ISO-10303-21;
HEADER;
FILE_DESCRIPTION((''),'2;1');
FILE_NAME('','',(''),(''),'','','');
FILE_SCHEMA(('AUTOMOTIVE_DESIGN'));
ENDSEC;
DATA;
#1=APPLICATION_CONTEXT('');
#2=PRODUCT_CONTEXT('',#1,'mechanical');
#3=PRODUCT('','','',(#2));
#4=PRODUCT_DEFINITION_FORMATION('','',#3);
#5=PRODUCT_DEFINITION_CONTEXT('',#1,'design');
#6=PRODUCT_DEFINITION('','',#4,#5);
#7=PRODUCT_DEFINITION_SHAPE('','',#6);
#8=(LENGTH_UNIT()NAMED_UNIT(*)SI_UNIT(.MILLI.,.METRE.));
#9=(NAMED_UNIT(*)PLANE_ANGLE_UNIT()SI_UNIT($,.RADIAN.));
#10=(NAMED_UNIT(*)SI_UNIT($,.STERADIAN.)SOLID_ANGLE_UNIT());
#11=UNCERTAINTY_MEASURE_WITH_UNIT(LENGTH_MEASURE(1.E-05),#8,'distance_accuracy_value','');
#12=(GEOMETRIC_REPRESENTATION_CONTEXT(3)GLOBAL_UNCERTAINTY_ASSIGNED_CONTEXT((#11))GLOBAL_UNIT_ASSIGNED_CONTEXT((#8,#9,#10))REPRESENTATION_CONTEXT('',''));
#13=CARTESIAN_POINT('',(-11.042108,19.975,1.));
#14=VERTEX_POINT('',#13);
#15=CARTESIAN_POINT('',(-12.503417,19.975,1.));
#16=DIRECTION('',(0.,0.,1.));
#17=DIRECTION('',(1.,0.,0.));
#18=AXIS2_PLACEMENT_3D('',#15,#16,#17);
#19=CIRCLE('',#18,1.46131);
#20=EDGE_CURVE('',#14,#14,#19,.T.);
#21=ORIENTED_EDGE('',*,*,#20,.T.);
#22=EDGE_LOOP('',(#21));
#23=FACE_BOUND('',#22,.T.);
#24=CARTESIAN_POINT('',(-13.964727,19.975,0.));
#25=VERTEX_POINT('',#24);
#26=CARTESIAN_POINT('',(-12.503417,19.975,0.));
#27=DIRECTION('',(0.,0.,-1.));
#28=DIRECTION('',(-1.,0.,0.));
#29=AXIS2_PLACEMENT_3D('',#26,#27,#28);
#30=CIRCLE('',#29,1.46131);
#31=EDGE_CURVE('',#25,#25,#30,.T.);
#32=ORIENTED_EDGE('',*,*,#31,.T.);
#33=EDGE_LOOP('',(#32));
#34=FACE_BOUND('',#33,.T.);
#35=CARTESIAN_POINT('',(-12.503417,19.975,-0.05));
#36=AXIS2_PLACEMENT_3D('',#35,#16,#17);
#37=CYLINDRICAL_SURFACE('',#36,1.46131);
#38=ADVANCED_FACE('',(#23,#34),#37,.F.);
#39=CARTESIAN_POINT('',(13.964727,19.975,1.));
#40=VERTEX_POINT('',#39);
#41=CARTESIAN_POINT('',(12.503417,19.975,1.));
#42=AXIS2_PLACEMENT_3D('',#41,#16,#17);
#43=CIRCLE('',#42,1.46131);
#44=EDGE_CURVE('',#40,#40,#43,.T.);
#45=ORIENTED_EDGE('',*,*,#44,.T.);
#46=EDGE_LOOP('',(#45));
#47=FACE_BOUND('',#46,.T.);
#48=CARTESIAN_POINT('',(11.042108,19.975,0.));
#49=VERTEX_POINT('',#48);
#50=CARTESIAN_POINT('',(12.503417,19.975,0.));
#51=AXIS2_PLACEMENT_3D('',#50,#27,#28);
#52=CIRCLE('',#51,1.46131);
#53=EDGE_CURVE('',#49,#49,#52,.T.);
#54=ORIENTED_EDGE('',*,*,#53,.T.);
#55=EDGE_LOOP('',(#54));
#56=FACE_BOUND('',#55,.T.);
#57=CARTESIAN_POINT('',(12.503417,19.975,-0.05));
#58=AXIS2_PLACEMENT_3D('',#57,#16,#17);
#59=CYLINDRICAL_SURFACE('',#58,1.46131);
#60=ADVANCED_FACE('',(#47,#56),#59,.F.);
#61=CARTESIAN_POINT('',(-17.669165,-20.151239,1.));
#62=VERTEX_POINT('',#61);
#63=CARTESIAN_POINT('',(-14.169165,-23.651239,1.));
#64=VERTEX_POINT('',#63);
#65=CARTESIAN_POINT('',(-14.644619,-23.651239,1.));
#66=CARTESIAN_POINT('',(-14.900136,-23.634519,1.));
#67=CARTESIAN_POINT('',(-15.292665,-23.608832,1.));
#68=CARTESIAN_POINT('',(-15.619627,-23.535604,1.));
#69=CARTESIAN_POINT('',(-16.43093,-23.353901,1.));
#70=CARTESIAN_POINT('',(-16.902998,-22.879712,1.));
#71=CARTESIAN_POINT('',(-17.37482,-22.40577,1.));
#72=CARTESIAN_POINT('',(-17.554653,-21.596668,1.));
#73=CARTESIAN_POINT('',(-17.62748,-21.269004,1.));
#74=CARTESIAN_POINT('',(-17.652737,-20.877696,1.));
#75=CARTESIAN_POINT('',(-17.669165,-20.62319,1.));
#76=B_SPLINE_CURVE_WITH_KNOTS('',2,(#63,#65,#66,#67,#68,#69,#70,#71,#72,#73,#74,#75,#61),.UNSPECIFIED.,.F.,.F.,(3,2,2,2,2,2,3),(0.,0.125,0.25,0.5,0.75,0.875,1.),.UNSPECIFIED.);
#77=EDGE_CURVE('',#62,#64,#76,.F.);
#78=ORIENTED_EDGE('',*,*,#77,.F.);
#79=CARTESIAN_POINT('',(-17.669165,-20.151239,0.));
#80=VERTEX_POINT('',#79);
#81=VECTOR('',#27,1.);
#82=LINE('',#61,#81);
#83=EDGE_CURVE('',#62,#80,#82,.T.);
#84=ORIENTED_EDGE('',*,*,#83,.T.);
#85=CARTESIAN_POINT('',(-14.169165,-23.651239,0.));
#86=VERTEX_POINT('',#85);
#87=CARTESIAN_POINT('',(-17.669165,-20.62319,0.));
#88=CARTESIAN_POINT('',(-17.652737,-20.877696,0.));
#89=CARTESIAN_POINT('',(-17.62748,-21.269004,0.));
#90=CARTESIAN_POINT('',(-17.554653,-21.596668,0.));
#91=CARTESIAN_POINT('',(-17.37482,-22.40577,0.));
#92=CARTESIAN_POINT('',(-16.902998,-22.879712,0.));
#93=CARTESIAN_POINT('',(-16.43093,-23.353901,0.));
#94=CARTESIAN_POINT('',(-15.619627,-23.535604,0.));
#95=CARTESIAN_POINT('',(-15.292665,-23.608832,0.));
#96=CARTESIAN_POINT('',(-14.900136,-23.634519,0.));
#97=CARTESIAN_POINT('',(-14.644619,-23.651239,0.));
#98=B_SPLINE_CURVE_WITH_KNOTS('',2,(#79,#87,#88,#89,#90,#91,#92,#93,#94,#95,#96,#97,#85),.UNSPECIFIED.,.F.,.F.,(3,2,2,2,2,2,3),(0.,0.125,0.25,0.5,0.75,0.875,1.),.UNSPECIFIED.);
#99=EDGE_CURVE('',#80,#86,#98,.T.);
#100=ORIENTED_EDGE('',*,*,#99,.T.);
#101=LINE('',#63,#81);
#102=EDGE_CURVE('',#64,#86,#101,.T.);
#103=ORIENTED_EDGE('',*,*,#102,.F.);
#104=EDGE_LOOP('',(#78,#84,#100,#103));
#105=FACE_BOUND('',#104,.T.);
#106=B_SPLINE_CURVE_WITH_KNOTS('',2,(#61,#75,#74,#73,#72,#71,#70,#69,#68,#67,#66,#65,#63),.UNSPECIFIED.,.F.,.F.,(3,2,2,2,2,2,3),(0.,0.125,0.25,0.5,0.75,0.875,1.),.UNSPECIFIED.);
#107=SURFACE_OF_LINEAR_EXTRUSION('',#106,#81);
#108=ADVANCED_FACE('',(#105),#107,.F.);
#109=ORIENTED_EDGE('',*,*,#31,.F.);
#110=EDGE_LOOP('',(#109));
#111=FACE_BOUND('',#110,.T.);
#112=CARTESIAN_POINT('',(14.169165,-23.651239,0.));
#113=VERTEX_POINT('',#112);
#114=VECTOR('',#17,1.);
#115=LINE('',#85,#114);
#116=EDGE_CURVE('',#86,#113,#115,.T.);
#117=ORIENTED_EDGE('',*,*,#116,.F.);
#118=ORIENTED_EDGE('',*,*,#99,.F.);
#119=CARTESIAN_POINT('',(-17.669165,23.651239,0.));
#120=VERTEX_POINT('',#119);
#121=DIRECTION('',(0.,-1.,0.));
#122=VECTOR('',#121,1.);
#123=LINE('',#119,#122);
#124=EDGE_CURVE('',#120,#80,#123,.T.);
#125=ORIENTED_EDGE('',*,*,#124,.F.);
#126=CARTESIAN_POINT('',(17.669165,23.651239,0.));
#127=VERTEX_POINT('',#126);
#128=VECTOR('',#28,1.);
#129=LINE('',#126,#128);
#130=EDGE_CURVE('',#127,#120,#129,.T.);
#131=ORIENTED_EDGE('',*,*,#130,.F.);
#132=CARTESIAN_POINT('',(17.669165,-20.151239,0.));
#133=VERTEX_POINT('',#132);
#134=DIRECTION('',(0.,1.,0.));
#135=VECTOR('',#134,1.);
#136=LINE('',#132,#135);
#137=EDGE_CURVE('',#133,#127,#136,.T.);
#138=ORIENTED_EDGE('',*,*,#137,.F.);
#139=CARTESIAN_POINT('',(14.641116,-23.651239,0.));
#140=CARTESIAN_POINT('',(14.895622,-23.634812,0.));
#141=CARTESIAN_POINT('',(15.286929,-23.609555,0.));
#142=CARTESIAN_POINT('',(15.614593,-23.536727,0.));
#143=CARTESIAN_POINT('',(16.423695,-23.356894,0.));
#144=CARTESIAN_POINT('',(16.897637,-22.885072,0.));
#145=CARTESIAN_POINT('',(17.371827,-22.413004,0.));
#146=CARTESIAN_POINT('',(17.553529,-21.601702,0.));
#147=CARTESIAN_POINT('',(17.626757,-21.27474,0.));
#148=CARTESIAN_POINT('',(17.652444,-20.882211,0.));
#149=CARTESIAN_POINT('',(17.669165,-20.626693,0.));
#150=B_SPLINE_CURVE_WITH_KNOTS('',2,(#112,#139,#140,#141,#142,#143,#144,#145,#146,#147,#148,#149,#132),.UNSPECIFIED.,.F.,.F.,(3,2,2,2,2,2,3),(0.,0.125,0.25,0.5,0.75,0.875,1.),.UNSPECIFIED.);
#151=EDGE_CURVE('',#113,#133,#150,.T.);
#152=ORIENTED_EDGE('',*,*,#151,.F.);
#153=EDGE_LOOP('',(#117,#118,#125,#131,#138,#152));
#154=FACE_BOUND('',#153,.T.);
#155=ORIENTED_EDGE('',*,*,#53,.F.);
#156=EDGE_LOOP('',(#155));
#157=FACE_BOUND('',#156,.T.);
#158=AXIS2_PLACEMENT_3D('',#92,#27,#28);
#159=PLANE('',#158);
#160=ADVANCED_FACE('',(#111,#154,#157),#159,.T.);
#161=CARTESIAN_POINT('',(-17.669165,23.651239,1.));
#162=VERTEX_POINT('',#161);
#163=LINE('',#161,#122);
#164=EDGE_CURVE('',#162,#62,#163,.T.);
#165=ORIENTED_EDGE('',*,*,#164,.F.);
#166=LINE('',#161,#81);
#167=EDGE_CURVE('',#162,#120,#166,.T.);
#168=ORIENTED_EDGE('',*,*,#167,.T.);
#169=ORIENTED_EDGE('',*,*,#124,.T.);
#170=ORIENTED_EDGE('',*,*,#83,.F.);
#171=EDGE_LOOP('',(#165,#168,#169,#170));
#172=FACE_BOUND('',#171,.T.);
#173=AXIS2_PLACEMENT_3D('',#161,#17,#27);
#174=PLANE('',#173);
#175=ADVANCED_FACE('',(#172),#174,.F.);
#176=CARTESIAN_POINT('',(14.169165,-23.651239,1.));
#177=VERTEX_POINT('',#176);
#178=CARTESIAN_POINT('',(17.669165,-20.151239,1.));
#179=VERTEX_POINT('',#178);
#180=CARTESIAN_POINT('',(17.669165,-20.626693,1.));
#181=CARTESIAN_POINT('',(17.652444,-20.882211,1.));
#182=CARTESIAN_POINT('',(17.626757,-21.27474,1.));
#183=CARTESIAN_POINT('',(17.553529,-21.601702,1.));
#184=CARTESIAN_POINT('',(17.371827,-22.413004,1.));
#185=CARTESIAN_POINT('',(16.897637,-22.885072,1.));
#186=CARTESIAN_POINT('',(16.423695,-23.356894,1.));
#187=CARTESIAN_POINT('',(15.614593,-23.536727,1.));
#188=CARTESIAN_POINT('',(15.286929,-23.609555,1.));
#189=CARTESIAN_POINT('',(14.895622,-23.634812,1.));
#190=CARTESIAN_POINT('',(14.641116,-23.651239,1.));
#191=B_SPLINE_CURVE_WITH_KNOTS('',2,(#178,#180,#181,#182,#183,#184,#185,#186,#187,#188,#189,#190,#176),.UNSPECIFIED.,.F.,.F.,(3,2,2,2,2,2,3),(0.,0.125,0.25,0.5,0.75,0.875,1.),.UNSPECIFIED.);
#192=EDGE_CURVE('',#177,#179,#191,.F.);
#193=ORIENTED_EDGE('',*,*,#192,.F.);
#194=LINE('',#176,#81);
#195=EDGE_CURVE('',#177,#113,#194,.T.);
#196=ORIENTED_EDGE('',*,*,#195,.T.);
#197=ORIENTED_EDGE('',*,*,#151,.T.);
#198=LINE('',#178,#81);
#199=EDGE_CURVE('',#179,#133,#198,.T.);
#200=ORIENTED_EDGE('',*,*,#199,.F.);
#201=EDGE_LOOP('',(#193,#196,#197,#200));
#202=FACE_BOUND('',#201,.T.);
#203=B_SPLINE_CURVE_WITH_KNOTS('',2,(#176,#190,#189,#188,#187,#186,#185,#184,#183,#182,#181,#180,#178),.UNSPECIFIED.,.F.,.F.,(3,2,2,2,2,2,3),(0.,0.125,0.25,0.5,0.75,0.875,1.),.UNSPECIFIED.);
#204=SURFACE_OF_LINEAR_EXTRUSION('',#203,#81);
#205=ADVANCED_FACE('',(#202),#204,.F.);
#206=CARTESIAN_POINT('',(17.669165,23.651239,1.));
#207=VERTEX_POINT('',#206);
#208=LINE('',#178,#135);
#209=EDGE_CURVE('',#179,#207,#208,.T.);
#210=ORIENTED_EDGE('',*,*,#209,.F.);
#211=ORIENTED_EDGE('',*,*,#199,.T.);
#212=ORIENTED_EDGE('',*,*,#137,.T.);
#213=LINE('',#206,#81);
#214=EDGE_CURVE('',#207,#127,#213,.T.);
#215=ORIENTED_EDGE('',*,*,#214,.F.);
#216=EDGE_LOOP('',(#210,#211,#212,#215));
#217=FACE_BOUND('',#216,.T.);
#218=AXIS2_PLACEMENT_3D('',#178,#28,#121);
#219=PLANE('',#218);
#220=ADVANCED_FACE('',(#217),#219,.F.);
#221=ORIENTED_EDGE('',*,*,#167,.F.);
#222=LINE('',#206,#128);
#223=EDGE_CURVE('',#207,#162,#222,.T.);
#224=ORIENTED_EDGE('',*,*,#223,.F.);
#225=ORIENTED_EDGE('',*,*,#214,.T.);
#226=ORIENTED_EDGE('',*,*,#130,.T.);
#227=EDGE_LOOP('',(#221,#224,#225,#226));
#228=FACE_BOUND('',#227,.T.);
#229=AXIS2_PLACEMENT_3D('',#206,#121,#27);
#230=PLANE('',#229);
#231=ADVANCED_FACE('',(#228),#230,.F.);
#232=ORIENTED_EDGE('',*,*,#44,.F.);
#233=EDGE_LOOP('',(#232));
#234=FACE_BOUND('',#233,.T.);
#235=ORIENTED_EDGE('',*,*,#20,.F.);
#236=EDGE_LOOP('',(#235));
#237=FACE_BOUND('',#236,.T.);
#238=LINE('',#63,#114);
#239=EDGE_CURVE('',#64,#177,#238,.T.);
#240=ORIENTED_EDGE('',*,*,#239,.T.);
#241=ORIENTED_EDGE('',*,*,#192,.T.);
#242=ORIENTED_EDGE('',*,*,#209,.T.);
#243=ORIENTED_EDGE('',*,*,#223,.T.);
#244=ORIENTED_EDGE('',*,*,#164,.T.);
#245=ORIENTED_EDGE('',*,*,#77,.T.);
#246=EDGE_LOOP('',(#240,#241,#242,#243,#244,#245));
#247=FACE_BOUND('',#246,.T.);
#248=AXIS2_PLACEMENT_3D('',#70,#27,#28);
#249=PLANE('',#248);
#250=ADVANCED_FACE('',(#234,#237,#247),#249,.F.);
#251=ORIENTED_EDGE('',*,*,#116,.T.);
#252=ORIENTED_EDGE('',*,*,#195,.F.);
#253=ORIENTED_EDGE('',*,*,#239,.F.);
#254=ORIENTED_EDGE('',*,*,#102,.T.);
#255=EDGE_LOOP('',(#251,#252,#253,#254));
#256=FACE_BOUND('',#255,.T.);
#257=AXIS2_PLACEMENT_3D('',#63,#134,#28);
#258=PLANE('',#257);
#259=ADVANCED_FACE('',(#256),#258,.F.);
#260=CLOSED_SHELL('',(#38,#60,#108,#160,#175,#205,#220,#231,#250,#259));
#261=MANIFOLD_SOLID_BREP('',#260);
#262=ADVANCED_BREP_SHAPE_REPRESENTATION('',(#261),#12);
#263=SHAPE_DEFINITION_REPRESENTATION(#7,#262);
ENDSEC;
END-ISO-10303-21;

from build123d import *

# Parameters (mm, degrees)
EXTRUDE_1_DEPTH     = 1
SKETCH_3_R          = 1.461309726
CUT_EXTRUDE_1_DEPTH = 30.539473805
SKETCH_4_R          = 1.461309726
CUT_EXTRUDE_2_DEPTH = 30.539473805


with BuildPart() as part:
    # 草图1 → 凸台-拉伸1 (new body)
    with BuildSketch(Plane.XY):
        with BuildLine():
            Line((-14.169164627, -23.65123941), (14.169164627, -23.65123941))
            add(Edge.make_bspline(
                [(14.169164627, -23.65123941), (14.641115694, -23.65123941), (14.895621691, -23.634812103), (15.286929381, -23.609554813), (15.614593008, -23.536727458), (16.423695213, -23.356894333), (16.897637323, -22.885072298), (17.371826501, -22.4130043), (17.553529452, -21.601702104), (17.626757355, -21.274740113), (17.652443906, -20.882211126), (17.669164627, -20.626693451), (17.669164627, -20.15123941)],
                knots=[0, 0, 0, 0.125, 0.125, 0.25, 0.25, 0.5, 0.5, 0.75, 0.75, 0.875, 0.875, 1, 1, 1], degree=2))
            Line((17.669164627, -20.15123941), (17.669164627, 23.65123941))
            Line((17.669164627, 23.65123941), (-17.669164627, 23.65123941))
            Line((-17.669164627, 23.65123941), (-17.669164627, -20.15123941))
            add(Edge.make_bspline(
                [(-17.669164627, -20.15123941), (-17.669164627, -20.623190478), (-17.652737319, -20.877696475), (-17.62748003, -21.269004165), (-17.554652675, -21.596667791), (-17.37481955, -22.405769996), (-16.902997515, -22.879712106), (-16.430929517, -23.353901285), (-15.619627321, -23.535604236), (-15.29266533, -23.608832139), (-14.900136342, -23.634518689), (-14.644618668, -23.65123941), (-14.169164627, -23.65123941)],
                knots=[0, 0, 0, 0.125, 0.125, 0.25, 0.25, 0.5, 0.5, 0.75, 0.75, 0.875, 0.875, 1, 1, 1], degree=2))
        make_face()
    extrude(amount=EXTRUDE_1_DEPTH)

    # 草图3 → 切除-拉伸1 (cut, through all)
    with BuildSketch(Plane.XY.offset(1)):
        with Locations((-12.503417236, 19.975)):
            Circle(SKETCH_3_R)
    extrude(amount=-CUT_EXTRUDE_1_DEPTH, mode=Mode.SUBTRACT)

    # 草图4 → 切除-拉伸2 (cut, through all)
    with BuildSketch(Plane.XY.offset(1)):
        with Locations((12.503417236, 19.975)):
            Circle(SKETCH_4_R)
    extrude(amount=-CUT_EXTRUDE_2_DEPTH, mode=Mode.SUBTRACT)


solid = part.part
